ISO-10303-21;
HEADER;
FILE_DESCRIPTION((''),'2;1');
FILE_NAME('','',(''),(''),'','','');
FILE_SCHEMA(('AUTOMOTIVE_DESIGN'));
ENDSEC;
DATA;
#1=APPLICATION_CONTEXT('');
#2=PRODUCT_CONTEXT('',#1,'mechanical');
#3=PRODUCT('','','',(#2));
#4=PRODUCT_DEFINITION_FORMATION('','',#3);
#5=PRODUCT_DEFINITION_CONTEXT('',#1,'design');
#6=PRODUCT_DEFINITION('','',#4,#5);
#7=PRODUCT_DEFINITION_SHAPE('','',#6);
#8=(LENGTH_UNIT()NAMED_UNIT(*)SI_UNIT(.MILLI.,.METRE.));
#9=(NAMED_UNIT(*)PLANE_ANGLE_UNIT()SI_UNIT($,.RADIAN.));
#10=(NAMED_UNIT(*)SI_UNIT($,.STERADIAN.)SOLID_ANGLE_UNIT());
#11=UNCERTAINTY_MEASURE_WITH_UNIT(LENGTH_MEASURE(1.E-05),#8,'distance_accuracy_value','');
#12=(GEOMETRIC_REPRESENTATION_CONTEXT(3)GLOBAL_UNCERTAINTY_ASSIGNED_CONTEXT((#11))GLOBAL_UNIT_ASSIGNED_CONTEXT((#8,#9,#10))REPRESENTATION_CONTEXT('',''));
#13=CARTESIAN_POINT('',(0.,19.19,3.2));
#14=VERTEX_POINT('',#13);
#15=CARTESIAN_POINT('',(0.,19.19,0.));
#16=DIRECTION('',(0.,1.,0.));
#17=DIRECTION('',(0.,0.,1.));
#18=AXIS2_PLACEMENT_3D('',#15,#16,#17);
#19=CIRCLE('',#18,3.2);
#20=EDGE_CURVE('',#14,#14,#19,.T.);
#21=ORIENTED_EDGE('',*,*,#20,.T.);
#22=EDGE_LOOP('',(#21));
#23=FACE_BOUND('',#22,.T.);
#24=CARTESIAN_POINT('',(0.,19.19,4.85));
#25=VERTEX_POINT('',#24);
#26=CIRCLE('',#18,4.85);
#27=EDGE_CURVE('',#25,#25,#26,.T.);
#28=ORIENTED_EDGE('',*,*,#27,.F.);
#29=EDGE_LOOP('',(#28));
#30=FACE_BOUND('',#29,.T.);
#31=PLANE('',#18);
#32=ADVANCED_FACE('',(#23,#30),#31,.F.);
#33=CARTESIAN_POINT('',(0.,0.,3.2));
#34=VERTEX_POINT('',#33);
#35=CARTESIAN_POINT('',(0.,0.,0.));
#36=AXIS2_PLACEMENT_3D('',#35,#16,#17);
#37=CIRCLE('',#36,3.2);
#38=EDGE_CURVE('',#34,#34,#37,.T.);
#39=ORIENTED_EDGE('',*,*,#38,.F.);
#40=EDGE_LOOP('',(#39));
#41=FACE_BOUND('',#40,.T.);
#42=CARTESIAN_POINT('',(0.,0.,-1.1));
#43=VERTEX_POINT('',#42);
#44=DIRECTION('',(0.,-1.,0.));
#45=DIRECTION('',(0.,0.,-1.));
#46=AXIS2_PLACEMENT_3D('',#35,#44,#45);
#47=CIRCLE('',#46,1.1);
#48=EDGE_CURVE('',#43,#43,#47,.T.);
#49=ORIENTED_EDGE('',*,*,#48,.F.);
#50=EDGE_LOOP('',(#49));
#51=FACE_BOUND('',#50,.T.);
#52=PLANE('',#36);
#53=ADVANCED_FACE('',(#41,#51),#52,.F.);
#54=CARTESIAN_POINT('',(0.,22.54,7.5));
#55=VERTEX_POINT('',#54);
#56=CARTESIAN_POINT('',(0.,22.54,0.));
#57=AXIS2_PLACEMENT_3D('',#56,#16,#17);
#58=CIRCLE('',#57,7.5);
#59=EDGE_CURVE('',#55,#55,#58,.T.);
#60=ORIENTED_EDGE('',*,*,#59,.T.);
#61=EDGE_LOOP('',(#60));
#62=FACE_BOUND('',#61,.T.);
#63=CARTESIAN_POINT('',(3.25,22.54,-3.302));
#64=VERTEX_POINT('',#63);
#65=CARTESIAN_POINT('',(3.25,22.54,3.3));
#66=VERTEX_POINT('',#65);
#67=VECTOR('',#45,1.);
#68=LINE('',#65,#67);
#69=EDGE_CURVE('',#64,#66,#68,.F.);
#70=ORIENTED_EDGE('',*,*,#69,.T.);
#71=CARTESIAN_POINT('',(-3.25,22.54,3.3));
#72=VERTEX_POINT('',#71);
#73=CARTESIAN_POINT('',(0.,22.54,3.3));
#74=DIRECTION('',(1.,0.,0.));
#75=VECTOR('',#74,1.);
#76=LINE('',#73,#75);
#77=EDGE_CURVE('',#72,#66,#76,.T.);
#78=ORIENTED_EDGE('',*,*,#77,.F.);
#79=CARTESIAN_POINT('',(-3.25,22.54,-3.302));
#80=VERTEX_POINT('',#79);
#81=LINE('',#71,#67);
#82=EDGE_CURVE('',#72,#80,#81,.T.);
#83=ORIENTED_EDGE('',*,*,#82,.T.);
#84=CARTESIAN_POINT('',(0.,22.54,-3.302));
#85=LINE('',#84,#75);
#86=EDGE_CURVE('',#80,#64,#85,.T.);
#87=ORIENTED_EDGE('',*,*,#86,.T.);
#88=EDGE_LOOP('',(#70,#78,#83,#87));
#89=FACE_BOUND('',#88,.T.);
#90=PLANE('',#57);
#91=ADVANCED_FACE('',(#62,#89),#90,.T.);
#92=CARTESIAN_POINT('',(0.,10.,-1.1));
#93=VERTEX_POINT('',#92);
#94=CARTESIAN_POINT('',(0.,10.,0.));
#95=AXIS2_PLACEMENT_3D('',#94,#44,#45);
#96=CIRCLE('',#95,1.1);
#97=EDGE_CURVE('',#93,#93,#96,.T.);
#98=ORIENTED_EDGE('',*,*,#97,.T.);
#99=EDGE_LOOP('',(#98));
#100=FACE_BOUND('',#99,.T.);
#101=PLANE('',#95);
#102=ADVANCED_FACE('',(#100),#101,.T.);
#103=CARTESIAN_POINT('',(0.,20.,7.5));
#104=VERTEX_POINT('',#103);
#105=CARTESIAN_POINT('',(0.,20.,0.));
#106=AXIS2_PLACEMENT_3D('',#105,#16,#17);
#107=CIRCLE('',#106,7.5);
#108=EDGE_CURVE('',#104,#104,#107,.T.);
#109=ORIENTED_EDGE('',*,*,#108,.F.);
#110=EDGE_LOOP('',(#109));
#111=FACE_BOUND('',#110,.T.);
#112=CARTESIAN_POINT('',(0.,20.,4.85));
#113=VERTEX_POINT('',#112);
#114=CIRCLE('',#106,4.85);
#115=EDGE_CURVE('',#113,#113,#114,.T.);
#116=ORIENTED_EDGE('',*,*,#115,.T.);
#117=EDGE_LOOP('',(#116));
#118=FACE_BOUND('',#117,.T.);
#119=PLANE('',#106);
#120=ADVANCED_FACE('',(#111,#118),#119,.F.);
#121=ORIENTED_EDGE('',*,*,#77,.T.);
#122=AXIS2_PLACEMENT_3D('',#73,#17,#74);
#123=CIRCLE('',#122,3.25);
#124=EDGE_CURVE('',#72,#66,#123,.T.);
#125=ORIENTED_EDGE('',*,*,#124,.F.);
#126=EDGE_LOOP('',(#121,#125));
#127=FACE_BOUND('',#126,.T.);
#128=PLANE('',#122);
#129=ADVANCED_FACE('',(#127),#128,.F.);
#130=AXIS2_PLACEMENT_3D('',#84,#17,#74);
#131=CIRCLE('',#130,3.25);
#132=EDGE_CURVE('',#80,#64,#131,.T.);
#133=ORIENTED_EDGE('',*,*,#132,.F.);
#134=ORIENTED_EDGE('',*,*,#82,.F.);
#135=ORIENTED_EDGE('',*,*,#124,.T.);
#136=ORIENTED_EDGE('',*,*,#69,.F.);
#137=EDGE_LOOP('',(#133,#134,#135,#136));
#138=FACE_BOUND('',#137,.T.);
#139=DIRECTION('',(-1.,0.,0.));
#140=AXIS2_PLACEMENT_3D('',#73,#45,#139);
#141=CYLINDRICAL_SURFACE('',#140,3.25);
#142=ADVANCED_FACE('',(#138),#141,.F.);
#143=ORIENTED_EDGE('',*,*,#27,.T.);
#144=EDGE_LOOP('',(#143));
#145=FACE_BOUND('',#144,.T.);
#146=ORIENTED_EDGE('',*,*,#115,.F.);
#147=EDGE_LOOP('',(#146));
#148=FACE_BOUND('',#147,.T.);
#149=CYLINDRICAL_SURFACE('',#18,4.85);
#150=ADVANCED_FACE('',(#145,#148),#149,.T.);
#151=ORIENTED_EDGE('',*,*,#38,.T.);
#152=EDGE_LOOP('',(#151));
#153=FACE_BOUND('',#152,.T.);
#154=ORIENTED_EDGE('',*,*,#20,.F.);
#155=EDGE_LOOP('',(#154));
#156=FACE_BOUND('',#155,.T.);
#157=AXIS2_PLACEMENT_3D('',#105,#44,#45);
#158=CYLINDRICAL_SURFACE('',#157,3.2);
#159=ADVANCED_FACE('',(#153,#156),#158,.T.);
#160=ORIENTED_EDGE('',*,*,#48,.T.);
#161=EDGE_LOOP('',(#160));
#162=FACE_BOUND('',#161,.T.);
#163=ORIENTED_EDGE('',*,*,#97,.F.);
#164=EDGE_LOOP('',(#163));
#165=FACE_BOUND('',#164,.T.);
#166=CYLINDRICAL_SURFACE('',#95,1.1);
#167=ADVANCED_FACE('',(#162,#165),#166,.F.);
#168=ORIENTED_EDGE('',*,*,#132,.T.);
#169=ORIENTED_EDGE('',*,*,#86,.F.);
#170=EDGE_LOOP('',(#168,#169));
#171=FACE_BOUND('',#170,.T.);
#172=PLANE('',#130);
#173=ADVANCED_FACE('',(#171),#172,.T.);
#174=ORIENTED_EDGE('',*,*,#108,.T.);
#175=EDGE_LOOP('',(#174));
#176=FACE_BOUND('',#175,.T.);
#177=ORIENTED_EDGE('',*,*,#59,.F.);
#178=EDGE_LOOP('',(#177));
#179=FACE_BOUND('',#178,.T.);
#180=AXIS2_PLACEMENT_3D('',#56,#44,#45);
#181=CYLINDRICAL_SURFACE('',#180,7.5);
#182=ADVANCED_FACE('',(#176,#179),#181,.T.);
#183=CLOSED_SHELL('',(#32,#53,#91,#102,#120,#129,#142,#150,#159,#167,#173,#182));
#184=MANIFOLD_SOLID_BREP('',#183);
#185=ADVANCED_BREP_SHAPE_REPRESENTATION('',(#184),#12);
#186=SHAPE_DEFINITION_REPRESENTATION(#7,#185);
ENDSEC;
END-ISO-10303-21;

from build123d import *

# Parameters (mm, degrees)
SKETCH1_R               = 3.2
BOSS_EXTRUDE1_DEPTH     = 20
SKETCH2_R               = 1.1
CUT_EXTRUDE1_DEPTH      = 10
SKETCH4_R               = 7.5
BOSS_EXTRUDE2_DEPTH     = 2.54
SKETCH6_R               = 4.85
BOSS_EXTRUDE3_DEPTH     = 3.35
SKETCH5_R               = 3.25
CUT_EXTRUDE3_DEPTH      = 3.3
CUT_EXTRUDE3_DEPTH_BACK = 3.302


with BuildPart() as part:
    # Sketch1 → Boss-Extrude1 (new body)
    with BuildSketch(Plane(origin=(0, 0, 0), x_dir=(1, 0, 0), z_dir=(0, 1, 0))):
        Circle(SKETCH1_R)
    extrude(amount=BOSS_EXTRUDE1_DEPTH)

    # Sketch2 → Cut-Extrude1 (cut)
    with BuildSketch(Plane.XZ):
        Circle(SKETCH2_R)
    extrude(amount=-CUT_EXTRUDE1_DEPTH, mode=Mode.SUBTRACT)

    # Sketch4 → Boss-Extrude2 (add)
    with BuildSketch(Plane(origin=(0, 20, 0), x_dir=(1, 0, 0), z_dir=(0, 1, 0))):
        Circle(SKETCH4_R)
    extrude(amount=BOSS_EXTRUDE2_DEPTH)

    # Sketch6 → Boss-Extrude3 (add)
    with BuildSketch(Plane(origin=(0, 22.54, 0), x_dir=(1, 0, 0), z_dir=(0, 1, 0))):
        Circle(SKETCH6_R)
    extrude(amount=-BOSS_EXTRUDE3_DEPTH)

    # Sketch5 → Cut-Extrude3 (cut, two sides)
    with BuildSketch(Plane.XY) as cut_extrude3_sk:
        with Locations((0, 22.54)):
            Circle(SKETCH5_R)
    extrude(amount=CUT_EXTRUDE3_DEPTH, mode=Mode.SUBTRACT)
    extrude(cut_extrude3_sk.sketch, amount=-CUT_EXTRUDE3_DEPTH_BACK, mode=Mode.SUBTRACT)


solid = part.part
